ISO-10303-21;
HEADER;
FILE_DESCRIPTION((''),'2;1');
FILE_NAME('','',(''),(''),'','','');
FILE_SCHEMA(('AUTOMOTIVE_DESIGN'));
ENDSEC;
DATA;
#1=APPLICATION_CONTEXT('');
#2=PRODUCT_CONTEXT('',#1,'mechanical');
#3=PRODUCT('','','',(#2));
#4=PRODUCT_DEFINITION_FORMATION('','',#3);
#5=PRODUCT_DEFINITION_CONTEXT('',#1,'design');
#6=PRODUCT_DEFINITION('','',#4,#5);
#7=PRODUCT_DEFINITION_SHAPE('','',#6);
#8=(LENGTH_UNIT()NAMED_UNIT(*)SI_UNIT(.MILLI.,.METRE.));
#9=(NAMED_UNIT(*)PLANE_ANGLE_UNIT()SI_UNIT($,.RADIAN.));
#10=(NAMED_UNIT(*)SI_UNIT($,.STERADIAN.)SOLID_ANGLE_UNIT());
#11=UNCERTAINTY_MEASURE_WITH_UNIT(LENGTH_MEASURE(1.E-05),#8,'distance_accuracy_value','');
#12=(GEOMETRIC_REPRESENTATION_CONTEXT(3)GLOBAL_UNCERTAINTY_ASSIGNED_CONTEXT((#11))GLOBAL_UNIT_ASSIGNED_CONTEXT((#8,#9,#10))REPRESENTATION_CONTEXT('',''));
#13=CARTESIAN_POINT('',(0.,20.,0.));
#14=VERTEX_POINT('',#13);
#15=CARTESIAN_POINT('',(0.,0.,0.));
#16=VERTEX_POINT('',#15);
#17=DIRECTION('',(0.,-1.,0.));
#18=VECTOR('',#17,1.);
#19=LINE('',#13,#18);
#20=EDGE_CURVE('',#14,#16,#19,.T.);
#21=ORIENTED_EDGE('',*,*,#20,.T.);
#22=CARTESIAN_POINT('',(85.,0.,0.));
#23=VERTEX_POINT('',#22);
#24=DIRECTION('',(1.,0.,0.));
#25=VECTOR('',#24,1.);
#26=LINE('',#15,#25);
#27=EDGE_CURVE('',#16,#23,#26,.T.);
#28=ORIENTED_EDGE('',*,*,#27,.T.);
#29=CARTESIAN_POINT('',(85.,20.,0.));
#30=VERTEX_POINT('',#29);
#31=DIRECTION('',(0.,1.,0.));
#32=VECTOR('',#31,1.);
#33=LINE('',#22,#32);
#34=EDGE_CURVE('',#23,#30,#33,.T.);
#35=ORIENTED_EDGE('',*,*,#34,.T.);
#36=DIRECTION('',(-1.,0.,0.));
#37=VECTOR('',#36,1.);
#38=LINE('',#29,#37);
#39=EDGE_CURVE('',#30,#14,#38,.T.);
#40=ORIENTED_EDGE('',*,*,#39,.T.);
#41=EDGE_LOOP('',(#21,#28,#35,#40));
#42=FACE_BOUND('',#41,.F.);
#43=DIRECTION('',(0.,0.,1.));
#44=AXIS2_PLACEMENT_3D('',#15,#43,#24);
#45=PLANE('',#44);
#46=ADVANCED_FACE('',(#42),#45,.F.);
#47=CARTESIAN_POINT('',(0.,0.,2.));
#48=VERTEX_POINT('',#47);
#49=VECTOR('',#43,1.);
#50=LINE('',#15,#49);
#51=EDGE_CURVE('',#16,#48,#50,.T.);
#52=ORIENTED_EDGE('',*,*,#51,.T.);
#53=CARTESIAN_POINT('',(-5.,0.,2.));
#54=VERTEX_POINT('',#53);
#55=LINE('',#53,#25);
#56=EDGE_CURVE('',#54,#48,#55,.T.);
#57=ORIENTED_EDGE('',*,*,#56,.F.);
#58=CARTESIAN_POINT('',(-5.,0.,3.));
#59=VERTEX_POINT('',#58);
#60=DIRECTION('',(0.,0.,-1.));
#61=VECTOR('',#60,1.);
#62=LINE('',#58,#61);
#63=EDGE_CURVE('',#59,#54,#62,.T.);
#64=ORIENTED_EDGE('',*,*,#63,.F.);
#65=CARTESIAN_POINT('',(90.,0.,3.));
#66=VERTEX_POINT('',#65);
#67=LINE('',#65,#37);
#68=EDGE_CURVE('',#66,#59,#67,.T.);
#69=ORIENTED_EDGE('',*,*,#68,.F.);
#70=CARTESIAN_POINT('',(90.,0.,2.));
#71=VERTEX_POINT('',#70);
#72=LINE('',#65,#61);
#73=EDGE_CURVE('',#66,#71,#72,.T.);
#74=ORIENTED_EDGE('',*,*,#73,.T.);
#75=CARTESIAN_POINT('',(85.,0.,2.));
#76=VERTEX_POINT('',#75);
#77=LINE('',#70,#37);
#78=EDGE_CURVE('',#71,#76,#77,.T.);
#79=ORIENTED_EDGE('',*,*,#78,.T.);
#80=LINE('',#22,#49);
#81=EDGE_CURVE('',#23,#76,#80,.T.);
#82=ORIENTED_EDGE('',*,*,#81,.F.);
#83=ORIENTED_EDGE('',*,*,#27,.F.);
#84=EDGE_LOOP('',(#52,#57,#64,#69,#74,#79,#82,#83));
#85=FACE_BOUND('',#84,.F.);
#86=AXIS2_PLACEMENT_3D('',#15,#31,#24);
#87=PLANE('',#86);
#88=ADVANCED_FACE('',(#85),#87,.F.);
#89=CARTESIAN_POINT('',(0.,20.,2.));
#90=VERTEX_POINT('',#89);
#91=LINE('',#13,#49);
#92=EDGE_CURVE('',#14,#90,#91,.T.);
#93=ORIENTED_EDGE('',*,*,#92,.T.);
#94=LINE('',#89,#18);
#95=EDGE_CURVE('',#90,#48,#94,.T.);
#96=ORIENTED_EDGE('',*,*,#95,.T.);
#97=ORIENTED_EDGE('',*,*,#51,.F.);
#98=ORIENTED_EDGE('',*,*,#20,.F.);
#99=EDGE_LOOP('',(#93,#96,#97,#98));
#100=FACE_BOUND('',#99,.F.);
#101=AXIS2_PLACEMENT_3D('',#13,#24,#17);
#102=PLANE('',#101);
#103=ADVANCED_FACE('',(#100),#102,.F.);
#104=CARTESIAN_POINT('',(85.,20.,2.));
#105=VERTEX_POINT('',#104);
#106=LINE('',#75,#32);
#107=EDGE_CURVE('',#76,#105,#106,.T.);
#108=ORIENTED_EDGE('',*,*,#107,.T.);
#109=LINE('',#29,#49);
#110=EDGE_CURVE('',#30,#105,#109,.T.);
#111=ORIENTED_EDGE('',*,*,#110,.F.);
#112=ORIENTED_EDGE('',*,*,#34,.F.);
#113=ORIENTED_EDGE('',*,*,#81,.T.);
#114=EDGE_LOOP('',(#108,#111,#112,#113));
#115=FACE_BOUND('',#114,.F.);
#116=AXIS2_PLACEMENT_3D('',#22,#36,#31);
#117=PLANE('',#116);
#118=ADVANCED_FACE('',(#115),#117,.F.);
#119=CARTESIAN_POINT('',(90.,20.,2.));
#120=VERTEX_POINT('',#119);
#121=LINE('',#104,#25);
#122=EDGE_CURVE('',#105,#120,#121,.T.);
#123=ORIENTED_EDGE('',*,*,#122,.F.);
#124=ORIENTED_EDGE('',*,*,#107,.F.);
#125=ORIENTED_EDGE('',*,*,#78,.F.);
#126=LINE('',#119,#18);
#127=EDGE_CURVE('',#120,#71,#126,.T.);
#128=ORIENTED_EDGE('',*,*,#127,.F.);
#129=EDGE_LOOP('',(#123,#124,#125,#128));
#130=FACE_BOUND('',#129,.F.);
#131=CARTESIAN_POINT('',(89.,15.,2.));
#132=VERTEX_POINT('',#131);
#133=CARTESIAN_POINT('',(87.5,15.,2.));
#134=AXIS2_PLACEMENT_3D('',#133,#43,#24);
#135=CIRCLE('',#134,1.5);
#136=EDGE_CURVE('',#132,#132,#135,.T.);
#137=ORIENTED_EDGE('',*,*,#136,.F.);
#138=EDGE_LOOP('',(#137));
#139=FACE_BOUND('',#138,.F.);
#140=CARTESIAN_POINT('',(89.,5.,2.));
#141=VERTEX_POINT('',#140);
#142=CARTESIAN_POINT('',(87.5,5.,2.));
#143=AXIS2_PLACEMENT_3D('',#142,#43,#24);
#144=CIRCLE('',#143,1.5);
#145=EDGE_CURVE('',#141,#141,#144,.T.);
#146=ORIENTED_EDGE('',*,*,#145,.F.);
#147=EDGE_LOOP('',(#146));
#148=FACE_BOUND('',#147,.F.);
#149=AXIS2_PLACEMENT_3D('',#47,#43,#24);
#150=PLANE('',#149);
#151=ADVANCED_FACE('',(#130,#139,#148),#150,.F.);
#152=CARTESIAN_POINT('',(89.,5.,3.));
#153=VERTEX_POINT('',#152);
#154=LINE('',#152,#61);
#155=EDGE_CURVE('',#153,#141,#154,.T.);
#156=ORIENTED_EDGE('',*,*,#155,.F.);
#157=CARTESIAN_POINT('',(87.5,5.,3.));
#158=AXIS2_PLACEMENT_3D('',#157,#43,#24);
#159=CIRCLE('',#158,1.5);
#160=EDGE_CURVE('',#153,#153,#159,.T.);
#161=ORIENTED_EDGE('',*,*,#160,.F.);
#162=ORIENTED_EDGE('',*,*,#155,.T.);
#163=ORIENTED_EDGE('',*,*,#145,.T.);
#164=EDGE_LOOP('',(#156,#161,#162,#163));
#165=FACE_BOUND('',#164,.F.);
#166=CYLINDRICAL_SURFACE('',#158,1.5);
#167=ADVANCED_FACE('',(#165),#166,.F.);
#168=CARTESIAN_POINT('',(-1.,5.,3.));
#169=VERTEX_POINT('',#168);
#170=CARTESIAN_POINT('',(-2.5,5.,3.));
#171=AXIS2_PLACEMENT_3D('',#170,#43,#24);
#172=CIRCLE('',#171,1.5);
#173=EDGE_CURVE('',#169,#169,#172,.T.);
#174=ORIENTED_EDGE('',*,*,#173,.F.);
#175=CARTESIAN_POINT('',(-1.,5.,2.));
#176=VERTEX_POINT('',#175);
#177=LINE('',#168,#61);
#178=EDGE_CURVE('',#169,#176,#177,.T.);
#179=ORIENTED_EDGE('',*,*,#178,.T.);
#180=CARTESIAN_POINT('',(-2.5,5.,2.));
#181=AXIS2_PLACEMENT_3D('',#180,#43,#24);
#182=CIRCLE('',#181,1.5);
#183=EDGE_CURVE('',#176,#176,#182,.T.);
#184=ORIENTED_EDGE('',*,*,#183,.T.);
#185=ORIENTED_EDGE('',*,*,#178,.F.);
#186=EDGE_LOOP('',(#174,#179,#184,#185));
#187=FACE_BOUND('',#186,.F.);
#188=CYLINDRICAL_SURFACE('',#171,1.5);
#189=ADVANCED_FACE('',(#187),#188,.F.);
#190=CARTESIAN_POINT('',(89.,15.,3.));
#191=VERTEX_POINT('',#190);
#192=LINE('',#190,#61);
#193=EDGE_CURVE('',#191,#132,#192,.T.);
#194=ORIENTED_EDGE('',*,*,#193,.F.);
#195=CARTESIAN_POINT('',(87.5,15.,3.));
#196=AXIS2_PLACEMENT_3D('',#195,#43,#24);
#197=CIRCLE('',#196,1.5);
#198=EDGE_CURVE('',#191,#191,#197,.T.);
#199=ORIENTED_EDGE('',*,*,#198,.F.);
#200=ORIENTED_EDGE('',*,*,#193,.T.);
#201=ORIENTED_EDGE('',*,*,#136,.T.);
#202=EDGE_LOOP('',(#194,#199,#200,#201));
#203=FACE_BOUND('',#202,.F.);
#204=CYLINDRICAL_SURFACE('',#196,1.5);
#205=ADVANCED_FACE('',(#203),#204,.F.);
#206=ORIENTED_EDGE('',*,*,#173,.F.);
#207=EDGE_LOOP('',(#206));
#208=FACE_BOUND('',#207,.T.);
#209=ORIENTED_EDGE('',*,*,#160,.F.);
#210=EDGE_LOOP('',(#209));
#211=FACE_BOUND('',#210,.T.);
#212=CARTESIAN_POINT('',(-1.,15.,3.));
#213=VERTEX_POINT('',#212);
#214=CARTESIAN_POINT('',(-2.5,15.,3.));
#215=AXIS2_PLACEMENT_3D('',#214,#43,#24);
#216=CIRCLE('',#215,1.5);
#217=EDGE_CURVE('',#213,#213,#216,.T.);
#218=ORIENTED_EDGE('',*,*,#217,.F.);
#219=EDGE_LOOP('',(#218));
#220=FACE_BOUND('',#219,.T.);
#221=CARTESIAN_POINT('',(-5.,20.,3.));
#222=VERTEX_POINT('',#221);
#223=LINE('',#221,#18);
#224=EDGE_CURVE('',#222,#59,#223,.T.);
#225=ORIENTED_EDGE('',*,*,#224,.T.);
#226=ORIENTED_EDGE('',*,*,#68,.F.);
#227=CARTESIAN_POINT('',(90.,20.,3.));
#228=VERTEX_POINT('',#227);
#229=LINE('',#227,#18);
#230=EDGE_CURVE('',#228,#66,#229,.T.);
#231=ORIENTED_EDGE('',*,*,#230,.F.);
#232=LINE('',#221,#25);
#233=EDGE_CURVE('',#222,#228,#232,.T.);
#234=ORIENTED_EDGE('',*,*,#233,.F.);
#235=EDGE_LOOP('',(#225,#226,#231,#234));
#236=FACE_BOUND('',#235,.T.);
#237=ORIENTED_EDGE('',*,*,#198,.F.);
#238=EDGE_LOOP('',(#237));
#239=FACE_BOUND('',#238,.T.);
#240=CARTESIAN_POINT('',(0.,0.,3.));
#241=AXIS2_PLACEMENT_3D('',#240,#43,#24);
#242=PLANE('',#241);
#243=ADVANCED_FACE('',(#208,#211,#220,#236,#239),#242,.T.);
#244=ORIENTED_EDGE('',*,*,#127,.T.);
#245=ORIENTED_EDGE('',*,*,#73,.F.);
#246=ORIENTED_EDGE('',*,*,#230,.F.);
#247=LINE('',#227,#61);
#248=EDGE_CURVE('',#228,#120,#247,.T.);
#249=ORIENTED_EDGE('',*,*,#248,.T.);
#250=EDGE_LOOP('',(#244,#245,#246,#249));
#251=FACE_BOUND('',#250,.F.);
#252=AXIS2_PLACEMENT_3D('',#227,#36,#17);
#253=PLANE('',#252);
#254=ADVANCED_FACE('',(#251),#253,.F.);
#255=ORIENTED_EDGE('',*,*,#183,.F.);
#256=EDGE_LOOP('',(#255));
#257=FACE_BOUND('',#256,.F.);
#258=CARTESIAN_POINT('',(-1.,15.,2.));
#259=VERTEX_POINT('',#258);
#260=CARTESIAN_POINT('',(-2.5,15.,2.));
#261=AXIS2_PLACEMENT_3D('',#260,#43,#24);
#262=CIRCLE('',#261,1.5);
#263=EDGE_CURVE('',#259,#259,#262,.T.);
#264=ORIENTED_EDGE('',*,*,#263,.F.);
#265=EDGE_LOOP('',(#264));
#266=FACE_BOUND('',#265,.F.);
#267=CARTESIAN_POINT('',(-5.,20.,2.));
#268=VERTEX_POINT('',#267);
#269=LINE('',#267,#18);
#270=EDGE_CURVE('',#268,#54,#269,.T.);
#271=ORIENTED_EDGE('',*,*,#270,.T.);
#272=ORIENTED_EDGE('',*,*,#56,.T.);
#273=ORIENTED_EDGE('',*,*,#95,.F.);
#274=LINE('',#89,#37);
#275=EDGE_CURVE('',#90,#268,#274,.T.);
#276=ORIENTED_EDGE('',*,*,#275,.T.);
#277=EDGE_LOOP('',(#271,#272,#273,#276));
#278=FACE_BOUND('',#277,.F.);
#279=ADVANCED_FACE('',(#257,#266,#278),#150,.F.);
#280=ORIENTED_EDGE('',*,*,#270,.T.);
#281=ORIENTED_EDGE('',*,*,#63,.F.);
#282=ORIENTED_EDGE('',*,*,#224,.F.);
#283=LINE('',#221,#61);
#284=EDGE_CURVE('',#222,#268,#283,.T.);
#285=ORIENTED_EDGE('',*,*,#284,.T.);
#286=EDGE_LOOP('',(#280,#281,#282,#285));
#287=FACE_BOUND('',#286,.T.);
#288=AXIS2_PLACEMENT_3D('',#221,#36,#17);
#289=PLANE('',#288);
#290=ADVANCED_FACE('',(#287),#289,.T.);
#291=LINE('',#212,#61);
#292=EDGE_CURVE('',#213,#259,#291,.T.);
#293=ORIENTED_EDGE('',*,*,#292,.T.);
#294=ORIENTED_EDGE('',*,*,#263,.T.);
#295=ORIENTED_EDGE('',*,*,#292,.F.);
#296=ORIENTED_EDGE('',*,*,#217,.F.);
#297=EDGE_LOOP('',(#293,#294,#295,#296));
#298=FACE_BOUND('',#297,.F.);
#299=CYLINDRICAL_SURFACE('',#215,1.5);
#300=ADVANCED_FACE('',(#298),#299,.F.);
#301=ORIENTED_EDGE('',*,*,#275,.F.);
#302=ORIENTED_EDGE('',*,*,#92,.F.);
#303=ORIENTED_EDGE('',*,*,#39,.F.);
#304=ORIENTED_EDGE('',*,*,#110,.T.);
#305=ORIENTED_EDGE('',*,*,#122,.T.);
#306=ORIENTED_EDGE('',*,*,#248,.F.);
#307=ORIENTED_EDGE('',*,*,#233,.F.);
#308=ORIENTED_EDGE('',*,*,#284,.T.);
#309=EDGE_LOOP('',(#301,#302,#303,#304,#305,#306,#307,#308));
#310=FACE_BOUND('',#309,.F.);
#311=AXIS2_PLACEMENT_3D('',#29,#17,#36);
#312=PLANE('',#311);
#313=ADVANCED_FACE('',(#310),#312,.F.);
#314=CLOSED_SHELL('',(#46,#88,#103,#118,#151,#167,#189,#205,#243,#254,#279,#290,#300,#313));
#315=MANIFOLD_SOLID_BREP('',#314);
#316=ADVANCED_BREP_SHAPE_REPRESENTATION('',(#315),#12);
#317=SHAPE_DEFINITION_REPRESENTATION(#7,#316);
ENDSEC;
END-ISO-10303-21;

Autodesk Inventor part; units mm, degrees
ref_plane "YZ Plane" through (0, 0, 0) normal (1, 0, 0) x (0, 1, 0)
ref_plane "XZ Plane" through (0, 0, 0) normal (0, 1, 0) x (-1, 0, 0)
ref_plane "XY Plane" through (0, 0, 0) normal (0, 0, 1) x (1, 0, 0)
sketch "Эскиз1" plane through (0, 0, 0) normal (0, 0, 1) x (1, 0, 0)
  point P0 (0, 0)
sketch "Эскиз2" plane through (0, 0, 0) normal (0, 0, 1) x (1, 0, 0)
  line L0 (0, 0) -> (85, 0)
  line L1 (85, 0) -> (85, 20)
  line L2 (85, 20) -> (0, 20)
  line L3 (0, 20) -> (0, 0)
  dimension "d0" = 85
  dimension "d1" = 20
extrude "Выдавливание1" add sketch "Эскиз2" along normal blind 3
sketch "Эскиз3" plane through (0, 0, 3) normal (0, 0, 1) x (1, 0, 0)
  line L0 (0, 20) -> (0, 0) projected
  line L1 (85, 0) -> (85, 20) projected
  line L2 (0, 20) -> (-5, 20)
  line L3 (-5, 20) -> (-5, 0)
  line L4 (-5, 0) -> (0, 0)
  line L5 (0, 0) -> (0, 20)
  circle A0 centre (-2.5, 15) radius 1.5
  circle A1 centre (-2.5, 5) radius 1.5
  line L6 (85, 20) -> (85, 0)
  line L7 (85, 20) -> (90, 20)
  line L8 (90, 20) -> (90, 0)
  line L9 (90, 0) -> (85, 0)
  line L10 (85, 0) -> (85, 20)
  circle A2 centre (87.5, 15) radius 1.5
  circle A3 centre (87.5, 5) radius 1.5
  dimension "d4" = 5
  dimension "d7" = 3
  dimension "d8" = 3
extrude "Выдавливание2" add sketch "Эскиз3" against normal blind 1
properties part number "Крышка на ESC"
